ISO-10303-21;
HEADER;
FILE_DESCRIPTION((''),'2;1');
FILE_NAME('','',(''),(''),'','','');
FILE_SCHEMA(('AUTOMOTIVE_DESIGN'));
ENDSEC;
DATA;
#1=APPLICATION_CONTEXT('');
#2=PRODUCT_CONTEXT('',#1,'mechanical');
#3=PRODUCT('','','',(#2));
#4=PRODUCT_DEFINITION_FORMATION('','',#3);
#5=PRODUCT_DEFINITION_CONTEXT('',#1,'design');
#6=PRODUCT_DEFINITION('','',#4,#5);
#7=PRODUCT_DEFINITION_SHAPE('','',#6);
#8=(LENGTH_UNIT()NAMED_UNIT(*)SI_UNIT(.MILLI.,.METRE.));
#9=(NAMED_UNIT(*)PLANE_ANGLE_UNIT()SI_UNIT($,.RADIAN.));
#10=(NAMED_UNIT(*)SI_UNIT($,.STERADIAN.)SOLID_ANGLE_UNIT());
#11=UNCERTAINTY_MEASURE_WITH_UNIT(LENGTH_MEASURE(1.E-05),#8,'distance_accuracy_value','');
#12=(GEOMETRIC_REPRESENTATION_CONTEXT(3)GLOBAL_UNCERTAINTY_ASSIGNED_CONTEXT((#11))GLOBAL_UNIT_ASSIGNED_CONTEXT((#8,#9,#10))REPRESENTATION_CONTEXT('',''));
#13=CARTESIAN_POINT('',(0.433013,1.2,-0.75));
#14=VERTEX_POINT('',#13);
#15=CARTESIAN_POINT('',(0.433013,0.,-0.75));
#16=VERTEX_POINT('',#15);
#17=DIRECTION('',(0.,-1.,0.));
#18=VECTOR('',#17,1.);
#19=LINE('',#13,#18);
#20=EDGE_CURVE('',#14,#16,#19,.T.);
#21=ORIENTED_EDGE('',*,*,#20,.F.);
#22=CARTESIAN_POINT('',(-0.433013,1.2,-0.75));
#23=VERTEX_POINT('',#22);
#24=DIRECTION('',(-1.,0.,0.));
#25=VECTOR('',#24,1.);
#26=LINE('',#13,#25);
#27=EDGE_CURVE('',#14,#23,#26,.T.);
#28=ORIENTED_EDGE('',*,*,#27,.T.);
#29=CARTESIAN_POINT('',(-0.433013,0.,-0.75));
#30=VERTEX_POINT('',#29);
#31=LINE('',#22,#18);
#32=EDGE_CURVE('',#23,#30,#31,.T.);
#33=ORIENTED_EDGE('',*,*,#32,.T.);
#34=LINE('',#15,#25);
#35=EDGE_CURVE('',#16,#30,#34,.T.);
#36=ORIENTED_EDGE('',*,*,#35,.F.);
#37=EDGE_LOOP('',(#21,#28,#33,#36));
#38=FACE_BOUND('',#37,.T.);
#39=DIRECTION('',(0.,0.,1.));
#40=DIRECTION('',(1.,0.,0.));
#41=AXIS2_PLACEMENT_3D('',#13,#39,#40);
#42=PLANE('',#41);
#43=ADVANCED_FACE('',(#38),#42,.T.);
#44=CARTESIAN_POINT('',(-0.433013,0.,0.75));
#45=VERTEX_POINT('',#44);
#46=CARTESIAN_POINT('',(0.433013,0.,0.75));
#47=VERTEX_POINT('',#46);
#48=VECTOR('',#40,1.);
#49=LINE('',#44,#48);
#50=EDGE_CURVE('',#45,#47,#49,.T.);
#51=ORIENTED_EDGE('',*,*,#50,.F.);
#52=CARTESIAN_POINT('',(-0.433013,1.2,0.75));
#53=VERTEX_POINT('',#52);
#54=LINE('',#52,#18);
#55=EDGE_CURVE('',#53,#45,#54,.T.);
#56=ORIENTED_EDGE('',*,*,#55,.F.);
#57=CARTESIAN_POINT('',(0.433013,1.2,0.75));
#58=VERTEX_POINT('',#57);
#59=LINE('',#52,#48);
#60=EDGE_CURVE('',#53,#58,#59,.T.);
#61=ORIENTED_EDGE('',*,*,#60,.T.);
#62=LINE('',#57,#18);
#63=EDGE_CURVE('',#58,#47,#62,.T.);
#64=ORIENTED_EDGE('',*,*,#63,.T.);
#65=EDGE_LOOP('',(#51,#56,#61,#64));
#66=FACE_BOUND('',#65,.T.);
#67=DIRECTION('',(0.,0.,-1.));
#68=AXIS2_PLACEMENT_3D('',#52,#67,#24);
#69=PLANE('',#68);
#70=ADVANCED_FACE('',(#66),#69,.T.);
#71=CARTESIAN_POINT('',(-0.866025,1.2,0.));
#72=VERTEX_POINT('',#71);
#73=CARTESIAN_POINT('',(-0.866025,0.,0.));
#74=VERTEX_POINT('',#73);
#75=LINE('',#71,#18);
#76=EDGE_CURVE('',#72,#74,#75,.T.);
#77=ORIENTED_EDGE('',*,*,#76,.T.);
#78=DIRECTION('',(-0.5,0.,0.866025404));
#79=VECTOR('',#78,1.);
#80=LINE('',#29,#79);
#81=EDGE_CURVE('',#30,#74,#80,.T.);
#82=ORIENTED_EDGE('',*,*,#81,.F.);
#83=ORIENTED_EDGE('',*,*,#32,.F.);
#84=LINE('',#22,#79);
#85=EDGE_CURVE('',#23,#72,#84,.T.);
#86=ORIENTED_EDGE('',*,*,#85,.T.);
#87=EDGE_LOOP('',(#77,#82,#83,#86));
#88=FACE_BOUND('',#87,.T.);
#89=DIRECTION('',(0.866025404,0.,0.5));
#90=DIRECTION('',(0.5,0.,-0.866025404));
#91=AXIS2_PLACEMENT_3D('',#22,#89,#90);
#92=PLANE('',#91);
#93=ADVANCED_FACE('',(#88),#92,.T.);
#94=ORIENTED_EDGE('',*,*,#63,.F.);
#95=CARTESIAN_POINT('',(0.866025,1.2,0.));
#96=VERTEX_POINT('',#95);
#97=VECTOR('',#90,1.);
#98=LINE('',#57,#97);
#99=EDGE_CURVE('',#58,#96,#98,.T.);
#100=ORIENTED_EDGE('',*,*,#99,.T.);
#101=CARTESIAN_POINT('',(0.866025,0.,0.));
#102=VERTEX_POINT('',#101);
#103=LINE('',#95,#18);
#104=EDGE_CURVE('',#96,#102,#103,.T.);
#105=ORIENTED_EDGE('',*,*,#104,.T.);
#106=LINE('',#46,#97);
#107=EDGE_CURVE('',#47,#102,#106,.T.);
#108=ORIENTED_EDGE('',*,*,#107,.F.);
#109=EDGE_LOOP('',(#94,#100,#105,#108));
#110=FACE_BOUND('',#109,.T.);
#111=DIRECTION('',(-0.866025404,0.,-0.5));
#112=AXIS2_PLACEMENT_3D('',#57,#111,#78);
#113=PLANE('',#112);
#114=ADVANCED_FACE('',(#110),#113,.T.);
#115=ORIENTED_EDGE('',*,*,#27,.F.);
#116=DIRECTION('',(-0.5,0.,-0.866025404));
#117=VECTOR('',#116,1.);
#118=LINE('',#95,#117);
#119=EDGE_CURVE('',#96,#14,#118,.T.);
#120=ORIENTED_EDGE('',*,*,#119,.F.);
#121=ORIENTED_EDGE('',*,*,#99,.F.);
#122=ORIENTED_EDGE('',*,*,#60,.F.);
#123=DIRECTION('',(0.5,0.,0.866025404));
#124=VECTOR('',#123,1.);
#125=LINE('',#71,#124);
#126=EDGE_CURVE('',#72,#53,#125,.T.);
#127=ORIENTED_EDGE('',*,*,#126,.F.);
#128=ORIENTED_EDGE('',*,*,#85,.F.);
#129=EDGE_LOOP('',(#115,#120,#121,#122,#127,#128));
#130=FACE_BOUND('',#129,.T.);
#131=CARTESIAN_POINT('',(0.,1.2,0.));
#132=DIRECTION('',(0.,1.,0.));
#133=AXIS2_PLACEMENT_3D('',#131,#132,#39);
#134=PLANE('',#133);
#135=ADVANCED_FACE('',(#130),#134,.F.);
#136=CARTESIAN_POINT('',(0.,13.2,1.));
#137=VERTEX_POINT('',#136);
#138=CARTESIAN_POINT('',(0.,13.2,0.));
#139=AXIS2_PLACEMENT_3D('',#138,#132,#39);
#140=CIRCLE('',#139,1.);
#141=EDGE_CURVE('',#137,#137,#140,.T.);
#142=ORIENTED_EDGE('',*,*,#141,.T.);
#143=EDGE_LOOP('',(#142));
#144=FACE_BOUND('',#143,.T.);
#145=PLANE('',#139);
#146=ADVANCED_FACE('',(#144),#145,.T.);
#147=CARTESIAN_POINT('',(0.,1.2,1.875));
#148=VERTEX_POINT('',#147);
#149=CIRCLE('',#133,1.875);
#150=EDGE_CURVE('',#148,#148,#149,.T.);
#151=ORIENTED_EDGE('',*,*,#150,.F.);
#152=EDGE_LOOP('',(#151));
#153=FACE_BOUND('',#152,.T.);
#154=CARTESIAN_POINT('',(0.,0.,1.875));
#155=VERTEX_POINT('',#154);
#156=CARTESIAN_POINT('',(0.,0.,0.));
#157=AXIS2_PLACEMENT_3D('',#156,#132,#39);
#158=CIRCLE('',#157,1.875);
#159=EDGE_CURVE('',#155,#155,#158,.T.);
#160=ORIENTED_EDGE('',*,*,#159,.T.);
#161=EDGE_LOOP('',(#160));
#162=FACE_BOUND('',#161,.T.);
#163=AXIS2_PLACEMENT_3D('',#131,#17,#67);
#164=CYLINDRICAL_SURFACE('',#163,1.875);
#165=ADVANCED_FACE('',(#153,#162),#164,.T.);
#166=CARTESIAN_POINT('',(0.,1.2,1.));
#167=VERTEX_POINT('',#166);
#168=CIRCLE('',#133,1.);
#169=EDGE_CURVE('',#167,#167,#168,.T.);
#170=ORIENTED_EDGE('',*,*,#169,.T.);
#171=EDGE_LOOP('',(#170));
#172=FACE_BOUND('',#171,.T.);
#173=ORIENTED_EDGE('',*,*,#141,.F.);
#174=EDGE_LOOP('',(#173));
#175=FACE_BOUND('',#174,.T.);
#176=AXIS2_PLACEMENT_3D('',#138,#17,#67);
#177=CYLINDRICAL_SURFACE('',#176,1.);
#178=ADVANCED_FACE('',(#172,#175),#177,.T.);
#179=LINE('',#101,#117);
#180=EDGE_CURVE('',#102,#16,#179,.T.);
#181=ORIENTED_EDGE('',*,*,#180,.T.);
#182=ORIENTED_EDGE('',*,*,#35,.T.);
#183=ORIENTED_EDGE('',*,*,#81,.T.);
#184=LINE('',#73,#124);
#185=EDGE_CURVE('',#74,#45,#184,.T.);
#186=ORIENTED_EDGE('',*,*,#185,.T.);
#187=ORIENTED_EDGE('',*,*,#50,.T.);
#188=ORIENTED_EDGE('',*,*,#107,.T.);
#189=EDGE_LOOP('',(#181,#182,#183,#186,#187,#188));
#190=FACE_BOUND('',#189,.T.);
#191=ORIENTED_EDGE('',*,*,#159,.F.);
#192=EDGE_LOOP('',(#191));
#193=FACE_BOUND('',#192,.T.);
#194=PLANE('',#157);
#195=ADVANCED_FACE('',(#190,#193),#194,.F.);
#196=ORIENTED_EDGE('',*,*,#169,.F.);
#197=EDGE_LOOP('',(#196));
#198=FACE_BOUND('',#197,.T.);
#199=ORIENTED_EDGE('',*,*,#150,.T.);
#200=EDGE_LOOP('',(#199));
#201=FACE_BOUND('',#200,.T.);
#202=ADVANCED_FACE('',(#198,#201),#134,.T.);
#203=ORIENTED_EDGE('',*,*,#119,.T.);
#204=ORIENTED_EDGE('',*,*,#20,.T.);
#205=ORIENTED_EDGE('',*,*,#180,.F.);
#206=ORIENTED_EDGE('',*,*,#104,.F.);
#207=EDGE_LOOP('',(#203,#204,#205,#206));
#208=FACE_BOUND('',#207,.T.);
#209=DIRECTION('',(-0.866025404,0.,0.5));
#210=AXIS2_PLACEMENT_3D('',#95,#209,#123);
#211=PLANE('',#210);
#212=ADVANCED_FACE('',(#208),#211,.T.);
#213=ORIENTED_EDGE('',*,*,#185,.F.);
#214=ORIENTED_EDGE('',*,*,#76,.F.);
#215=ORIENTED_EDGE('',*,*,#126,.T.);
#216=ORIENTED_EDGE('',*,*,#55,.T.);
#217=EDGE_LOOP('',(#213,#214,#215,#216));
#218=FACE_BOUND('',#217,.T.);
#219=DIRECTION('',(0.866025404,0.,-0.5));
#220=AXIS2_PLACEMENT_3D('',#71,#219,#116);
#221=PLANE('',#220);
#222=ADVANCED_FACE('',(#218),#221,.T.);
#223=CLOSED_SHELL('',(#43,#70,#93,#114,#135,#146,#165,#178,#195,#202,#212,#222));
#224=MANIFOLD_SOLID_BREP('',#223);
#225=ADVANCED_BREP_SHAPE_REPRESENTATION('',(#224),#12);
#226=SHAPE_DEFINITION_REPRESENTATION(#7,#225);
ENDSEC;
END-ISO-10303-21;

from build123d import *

# Parameters (mm, degrees)
SKETCH1_R           = 1.875
BOSS_EXTRUDE1_DEPTH = 1.2
SKETCH2_R           = 1
BOSS_EXTRUDE2_DEPTH = 12


with BuildPart() as part:
    # Sketch1 → Boss-Extrude1 (new body)
    with BuildSketch(Plane(origin=(0, 0, 0), x_dir=(1, 0, 0), z_dir=(0, 1, 0))):
        with Locations(Location((0, 0, 0), (0, 0, 270))):
            Circle(SKETCH1_R)
        Polygon((0.866025404, 0), (0.433012702, 0.75), (-0.433012702, 0.75), (-0.866025404, 0), (-0.433012702, -0.75), (0.433012702, -0.75), align=None, mode=Mode.SUBTRACT)
    extrude(amount=BOSS_EXTRUDE1_DEPTH)

    # Sketch2 → Boss-Extrude2 (add)
    with BuildSketch(Plane(origin=(0, 1.2, 0), x_dir=(1, 0, 0), z_dir=(0, 1, 0))):
        with Locations(Location((0, 0, 0), (0, 0, 270))):
            Circle(SKETCH2_R)
    extrude(amount=BOSS_EXTRUDE2_DEPTH)


solid = part.part
